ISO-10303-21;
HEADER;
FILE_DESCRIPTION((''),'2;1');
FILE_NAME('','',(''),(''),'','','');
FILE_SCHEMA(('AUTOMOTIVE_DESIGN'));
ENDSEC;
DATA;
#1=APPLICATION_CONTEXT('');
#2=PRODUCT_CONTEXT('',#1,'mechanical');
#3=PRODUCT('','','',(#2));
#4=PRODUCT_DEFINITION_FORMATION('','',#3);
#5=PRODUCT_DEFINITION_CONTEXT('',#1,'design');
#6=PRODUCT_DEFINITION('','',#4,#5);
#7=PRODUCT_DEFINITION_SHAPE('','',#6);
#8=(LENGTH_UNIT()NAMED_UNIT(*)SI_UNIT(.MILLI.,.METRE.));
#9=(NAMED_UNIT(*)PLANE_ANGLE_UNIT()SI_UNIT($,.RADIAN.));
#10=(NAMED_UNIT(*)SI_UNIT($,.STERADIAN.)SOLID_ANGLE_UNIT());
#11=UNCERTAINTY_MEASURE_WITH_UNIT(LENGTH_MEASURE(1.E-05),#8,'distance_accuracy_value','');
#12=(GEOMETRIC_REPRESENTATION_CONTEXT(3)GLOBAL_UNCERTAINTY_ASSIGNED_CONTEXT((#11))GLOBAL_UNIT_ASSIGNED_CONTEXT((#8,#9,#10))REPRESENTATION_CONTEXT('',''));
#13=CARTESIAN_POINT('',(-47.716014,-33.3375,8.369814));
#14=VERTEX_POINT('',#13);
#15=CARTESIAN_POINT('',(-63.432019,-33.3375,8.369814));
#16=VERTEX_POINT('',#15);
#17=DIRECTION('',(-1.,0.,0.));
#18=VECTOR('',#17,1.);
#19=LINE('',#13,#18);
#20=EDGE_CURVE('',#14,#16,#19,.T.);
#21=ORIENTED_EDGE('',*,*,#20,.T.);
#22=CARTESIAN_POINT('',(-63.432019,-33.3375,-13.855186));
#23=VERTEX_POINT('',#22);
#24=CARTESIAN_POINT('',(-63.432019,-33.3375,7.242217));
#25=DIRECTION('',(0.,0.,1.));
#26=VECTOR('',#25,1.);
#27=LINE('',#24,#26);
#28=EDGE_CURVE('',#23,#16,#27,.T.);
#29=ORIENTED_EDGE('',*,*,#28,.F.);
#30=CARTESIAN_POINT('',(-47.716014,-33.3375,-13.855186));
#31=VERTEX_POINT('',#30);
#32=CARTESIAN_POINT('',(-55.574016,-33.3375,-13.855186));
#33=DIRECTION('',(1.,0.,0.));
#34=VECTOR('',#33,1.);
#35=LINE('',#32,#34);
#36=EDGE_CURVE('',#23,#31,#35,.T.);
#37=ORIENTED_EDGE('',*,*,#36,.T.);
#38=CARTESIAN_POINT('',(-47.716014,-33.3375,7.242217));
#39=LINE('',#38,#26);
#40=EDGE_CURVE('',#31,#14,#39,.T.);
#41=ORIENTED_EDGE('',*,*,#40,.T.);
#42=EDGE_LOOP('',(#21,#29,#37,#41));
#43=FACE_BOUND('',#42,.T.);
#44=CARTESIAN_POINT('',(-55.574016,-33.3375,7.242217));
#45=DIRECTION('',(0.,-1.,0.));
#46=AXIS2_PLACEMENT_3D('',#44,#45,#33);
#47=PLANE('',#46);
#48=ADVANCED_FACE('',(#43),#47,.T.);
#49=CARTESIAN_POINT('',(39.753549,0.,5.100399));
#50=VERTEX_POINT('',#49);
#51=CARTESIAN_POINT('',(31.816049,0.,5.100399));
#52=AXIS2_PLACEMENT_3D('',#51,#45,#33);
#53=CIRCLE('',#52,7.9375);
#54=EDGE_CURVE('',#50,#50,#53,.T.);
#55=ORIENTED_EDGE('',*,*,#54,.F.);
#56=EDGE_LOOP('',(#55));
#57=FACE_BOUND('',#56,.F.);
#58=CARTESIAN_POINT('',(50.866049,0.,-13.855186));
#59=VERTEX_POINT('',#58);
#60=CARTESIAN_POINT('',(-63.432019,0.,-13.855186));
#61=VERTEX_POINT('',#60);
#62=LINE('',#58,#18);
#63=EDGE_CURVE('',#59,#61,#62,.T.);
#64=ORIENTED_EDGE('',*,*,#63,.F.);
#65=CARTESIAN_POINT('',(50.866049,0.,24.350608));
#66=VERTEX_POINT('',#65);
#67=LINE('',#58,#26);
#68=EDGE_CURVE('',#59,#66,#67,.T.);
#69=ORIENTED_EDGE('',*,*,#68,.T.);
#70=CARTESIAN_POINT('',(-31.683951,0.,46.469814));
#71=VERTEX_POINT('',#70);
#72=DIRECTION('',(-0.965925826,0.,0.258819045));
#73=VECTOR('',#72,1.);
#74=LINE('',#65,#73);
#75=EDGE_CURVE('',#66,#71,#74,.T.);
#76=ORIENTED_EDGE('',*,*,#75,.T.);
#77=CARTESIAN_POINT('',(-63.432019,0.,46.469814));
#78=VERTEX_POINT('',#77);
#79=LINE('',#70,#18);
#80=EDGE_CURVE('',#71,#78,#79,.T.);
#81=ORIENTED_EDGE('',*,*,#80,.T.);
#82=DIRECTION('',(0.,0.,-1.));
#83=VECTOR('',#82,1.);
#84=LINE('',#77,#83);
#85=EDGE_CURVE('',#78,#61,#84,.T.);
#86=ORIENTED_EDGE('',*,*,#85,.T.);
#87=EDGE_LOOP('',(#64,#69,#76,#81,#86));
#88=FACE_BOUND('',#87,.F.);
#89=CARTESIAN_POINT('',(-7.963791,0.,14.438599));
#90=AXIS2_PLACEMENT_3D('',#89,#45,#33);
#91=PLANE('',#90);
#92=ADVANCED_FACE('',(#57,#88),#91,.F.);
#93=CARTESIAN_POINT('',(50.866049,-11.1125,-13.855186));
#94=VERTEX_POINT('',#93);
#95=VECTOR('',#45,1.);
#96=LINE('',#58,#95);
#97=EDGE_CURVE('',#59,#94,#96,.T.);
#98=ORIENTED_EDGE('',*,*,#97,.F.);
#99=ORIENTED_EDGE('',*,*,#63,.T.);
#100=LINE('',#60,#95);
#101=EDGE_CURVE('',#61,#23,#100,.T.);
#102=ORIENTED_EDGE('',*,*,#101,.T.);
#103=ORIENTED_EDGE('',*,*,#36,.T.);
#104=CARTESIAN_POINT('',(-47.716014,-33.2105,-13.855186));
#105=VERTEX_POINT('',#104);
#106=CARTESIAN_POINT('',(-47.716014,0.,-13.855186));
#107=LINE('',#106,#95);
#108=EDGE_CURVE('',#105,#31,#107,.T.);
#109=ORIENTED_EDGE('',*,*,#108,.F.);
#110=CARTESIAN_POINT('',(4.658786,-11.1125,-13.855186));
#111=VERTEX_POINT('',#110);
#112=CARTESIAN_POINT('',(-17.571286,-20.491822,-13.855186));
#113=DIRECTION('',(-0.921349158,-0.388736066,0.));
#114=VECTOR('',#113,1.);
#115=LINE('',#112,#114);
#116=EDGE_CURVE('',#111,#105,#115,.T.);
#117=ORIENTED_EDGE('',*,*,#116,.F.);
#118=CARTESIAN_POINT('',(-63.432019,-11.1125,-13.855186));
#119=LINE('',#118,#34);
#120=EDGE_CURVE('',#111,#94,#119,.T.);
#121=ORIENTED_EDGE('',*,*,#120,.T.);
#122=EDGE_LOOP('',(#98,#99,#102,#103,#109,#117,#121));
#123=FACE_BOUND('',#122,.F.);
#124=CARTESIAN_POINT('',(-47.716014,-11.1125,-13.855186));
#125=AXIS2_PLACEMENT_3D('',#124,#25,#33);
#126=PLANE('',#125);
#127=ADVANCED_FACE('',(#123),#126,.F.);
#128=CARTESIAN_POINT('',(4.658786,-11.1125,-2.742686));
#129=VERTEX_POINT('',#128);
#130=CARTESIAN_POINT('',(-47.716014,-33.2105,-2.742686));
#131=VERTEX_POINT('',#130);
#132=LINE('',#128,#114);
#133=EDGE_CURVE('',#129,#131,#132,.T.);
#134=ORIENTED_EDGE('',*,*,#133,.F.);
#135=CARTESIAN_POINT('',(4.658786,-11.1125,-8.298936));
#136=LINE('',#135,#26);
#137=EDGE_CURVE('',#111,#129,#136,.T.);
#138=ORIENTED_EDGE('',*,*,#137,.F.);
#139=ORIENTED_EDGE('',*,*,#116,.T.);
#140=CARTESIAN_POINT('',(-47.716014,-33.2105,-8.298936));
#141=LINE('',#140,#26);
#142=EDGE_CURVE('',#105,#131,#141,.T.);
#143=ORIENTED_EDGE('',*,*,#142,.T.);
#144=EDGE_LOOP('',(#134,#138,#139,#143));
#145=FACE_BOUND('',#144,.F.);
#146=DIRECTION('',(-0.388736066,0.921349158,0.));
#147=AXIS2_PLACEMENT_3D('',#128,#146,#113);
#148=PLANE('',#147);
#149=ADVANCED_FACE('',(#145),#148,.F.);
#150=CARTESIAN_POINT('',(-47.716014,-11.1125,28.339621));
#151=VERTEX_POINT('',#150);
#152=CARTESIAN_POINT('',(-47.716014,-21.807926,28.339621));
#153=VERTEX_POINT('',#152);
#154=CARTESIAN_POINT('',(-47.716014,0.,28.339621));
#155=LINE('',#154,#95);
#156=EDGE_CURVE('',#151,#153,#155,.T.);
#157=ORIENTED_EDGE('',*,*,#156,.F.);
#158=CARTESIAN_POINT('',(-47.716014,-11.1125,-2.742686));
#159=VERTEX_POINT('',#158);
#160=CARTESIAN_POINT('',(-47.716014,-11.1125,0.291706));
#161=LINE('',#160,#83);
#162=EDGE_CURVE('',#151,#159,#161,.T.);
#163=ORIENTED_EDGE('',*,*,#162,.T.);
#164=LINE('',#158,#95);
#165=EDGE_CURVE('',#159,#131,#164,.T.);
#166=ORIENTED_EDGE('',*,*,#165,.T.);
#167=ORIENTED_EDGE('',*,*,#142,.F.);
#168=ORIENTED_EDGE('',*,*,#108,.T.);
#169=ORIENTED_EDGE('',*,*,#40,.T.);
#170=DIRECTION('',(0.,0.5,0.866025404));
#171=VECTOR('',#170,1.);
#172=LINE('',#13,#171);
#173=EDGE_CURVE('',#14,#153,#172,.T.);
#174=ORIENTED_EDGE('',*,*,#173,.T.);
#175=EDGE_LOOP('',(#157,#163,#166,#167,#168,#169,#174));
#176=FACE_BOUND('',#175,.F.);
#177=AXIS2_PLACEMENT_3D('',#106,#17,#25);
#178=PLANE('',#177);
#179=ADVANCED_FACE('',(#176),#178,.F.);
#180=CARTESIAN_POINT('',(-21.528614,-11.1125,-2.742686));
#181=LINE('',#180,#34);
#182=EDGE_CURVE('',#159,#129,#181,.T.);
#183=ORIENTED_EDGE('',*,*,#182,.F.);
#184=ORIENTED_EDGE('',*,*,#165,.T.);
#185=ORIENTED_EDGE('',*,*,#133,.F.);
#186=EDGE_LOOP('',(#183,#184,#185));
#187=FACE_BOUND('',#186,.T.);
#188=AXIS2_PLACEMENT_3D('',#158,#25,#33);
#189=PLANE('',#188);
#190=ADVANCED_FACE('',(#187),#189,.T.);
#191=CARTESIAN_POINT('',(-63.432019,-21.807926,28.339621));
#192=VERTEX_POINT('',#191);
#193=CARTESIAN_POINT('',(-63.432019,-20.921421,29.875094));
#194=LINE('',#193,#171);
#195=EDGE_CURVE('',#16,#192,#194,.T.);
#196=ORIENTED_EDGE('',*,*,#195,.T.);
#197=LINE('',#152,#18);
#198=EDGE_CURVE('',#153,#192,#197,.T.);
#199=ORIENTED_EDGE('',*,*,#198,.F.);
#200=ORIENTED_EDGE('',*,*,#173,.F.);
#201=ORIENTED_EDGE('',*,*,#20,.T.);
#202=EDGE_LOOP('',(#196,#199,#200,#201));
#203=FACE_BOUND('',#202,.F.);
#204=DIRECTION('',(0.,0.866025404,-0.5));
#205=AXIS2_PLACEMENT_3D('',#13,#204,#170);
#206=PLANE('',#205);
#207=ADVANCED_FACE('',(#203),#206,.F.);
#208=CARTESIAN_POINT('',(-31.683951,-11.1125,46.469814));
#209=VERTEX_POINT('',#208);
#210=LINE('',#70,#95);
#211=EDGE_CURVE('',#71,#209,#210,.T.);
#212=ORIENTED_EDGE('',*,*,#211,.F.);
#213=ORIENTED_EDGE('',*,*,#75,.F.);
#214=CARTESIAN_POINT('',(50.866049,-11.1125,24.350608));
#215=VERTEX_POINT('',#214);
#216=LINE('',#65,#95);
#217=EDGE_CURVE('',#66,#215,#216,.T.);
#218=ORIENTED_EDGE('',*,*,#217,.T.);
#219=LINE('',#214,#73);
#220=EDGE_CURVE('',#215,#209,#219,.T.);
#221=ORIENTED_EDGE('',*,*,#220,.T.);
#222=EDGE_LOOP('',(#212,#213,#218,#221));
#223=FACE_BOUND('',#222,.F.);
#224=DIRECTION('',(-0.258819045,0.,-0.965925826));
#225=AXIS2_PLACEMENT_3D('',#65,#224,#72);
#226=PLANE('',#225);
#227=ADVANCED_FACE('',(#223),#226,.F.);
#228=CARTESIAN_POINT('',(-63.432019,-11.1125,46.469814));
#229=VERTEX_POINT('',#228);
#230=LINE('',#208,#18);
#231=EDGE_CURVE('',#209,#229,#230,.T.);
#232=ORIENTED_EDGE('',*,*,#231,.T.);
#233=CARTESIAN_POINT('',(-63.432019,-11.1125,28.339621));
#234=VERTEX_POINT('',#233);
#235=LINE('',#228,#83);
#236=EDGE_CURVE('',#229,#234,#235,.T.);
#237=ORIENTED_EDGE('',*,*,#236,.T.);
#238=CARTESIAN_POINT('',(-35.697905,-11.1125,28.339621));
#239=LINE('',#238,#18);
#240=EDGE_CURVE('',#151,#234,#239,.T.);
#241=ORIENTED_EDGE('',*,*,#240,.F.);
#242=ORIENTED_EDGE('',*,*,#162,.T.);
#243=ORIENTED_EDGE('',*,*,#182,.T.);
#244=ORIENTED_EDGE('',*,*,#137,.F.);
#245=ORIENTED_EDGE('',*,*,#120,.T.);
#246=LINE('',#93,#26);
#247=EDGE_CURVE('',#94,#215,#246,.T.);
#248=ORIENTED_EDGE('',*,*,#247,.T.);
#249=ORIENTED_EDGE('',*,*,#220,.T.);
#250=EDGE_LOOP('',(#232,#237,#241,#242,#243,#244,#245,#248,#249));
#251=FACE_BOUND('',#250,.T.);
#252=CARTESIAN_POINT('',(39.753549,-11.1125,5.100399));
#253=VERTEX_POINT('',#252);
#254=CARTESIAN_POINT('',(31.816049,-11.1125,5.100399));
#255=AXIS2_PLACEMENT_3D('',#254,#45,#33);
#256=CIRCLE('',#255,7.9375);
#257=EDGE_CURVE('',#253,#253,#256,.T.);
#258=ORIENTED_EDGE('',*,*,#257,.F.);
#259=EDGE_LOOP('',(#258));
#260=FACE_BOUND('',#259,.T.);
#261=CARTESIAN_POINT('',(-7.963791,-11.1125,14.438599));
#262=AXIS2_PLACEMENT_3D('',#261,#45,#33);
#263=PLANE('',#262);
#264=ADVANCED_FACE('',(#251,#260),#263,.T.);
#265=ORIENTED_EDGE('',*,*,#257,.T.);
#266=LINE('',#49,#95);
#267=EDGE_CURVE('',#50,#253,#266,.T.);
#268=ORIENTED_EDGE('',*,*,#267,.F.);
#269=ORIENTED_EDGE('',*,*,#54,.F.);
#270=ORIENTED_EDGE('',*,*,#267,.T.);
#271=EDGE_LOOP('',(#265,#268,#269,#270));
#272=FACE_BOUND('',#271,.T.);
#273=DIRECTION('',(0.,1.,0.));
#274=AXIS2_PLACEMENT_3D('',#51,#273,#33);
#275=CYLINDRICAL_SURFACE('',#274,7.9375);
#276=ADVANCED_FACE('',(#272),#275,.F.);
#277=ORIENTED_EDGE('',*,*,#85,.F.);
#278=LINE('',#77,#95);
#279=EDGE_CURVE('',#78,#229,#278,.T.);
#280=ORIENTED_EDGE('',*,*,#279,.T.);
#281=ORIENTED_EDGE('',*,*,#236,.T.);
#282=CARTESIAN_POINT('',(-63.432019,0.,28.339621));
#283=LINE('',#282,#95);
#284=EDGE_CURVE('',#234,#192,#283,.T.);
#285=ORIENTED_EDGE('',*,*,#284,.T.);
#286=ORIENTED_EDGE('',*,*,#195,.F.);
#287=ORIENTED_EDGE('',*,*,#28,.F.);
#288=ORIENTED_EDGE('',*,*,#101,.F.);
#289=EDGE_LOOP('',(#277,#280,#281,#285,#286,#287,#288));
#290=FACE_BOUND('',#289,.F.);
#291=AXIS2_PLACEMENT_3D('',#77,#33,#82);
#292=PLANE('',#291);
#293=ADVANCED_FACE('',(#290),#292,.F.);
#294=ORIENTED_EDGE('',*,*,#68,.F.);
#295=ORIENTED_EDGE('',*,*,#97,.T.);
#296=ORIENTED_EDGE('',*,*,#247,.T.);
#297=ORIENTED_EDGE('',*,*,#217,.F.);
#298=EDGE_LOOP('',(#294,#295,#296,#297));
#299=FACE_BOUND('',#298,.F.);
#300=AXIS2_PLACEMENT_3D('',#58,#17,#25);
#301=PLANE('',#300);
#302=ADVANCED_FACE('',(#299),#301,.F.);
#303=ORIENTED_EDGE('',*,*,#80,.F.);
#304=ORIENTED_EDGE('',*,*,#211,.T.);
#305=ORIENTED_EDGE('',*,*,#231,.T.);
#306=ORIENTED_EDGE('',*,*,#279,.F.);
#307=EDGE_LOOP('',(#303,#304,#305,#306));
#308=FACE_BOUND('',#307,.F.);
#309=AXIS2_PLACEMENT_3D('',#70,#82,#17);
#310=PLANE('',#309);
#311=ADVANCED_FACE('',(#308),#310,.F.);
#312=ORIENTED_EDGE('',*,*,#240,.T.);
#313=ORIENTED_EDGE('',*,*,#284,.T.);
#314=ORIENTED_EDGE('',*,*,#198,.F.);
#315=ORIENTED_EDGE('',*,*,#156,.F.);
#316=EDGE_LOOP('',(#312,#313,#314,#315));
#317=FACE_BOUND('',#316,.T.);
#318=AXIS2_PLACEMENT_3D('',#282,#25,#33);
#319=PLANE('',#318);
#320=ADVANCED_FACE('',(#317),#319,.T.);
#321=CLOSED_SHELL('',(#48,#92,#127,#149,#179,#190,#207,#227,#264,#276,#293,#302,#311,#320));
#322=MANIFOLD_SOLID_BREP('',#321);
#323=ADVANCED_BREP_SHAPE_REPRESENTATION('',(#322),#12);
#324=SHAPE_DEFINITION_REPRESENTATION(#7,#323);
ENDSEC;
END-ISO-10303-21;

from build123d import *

# Parameters (mm, degrees)
F0_R     = 7.9375
F0_W     = 15.7160045163
F0_H     = 42.1948071688
F1_DEPTH = 11.1125
F2_DEPTH = 33.3375
F4_DEPTH = 25.4
F5_W     = 52.3748
F5_H     = 11.1125
F6_DEPTH = 22.098
F8_DEPTH = 25.4


with BuildPart() as f1:
    # F0 (on Front) → F1 (new body)
    with BuildSketch(Plane.XZ):
        Polygon((-31.6839508394, 46.4698135108), (-63.4320186035, 46.4698135108), (-63.4320186035, 28.3396206796), (-47.7160140872, 28.3396206796), (-47.7160140872, -13.8551864892), (50.8660491606, -13.8551864892), (50.8660491606, 24.3506076756), align=None)
        with Locations((31.8160491606, 5.1003992379)):
            Circle(F0_R, mode=Mode.SUBTRACT)
        with Locations((-55.5740163454, 7.2422170952)):
            Rectangle(F0_W, F0_H)
    extrude(amount=F1_DEPTH)

    # F0 (on Front) → F2 (join)
    with BuildSketch(Plane.XZ):
        with Locations((-55.5740163454, 7.2422170952)):
            Rectangle(F0_W, F0_H)
    extrude(amount=F2_DEPTH)

    # F3 (on face) → F4 (cut)
    with BuildSketch(Plane.YZ.offset(-47.7160140872)):
        Polygon((-33.3375, 28.3396206796), (-33.3375, 8.3698135108), (-21.8079264554, 28.3396206796), align=None)
    extrude(amount=-F4_DEPTH, mode=Mode.SUBTRACT)

    # F5 (on face) → F6 (join)
    with BuildSketch(Plane.XZ.offset(11.1125)):
        with Locations((-21.5286140872, -8.2989364892)):
            Rectangle(F5_W, F5_H)
    extrude(amount=F6_DEPTH)

    # F7 (on face) → F8 (cut)
    with BuildSketch(Plane.XY.offset(-2.7426864892)):
        Polygon((4.6587859128, -11.1125), (-47.7160140872, -33.2105), (4.6587859128, -33.2105), align=None)
    extrude(amount=-F8_DEPTH, mode=Mode.SUBTRACT)


solid = f1.part
